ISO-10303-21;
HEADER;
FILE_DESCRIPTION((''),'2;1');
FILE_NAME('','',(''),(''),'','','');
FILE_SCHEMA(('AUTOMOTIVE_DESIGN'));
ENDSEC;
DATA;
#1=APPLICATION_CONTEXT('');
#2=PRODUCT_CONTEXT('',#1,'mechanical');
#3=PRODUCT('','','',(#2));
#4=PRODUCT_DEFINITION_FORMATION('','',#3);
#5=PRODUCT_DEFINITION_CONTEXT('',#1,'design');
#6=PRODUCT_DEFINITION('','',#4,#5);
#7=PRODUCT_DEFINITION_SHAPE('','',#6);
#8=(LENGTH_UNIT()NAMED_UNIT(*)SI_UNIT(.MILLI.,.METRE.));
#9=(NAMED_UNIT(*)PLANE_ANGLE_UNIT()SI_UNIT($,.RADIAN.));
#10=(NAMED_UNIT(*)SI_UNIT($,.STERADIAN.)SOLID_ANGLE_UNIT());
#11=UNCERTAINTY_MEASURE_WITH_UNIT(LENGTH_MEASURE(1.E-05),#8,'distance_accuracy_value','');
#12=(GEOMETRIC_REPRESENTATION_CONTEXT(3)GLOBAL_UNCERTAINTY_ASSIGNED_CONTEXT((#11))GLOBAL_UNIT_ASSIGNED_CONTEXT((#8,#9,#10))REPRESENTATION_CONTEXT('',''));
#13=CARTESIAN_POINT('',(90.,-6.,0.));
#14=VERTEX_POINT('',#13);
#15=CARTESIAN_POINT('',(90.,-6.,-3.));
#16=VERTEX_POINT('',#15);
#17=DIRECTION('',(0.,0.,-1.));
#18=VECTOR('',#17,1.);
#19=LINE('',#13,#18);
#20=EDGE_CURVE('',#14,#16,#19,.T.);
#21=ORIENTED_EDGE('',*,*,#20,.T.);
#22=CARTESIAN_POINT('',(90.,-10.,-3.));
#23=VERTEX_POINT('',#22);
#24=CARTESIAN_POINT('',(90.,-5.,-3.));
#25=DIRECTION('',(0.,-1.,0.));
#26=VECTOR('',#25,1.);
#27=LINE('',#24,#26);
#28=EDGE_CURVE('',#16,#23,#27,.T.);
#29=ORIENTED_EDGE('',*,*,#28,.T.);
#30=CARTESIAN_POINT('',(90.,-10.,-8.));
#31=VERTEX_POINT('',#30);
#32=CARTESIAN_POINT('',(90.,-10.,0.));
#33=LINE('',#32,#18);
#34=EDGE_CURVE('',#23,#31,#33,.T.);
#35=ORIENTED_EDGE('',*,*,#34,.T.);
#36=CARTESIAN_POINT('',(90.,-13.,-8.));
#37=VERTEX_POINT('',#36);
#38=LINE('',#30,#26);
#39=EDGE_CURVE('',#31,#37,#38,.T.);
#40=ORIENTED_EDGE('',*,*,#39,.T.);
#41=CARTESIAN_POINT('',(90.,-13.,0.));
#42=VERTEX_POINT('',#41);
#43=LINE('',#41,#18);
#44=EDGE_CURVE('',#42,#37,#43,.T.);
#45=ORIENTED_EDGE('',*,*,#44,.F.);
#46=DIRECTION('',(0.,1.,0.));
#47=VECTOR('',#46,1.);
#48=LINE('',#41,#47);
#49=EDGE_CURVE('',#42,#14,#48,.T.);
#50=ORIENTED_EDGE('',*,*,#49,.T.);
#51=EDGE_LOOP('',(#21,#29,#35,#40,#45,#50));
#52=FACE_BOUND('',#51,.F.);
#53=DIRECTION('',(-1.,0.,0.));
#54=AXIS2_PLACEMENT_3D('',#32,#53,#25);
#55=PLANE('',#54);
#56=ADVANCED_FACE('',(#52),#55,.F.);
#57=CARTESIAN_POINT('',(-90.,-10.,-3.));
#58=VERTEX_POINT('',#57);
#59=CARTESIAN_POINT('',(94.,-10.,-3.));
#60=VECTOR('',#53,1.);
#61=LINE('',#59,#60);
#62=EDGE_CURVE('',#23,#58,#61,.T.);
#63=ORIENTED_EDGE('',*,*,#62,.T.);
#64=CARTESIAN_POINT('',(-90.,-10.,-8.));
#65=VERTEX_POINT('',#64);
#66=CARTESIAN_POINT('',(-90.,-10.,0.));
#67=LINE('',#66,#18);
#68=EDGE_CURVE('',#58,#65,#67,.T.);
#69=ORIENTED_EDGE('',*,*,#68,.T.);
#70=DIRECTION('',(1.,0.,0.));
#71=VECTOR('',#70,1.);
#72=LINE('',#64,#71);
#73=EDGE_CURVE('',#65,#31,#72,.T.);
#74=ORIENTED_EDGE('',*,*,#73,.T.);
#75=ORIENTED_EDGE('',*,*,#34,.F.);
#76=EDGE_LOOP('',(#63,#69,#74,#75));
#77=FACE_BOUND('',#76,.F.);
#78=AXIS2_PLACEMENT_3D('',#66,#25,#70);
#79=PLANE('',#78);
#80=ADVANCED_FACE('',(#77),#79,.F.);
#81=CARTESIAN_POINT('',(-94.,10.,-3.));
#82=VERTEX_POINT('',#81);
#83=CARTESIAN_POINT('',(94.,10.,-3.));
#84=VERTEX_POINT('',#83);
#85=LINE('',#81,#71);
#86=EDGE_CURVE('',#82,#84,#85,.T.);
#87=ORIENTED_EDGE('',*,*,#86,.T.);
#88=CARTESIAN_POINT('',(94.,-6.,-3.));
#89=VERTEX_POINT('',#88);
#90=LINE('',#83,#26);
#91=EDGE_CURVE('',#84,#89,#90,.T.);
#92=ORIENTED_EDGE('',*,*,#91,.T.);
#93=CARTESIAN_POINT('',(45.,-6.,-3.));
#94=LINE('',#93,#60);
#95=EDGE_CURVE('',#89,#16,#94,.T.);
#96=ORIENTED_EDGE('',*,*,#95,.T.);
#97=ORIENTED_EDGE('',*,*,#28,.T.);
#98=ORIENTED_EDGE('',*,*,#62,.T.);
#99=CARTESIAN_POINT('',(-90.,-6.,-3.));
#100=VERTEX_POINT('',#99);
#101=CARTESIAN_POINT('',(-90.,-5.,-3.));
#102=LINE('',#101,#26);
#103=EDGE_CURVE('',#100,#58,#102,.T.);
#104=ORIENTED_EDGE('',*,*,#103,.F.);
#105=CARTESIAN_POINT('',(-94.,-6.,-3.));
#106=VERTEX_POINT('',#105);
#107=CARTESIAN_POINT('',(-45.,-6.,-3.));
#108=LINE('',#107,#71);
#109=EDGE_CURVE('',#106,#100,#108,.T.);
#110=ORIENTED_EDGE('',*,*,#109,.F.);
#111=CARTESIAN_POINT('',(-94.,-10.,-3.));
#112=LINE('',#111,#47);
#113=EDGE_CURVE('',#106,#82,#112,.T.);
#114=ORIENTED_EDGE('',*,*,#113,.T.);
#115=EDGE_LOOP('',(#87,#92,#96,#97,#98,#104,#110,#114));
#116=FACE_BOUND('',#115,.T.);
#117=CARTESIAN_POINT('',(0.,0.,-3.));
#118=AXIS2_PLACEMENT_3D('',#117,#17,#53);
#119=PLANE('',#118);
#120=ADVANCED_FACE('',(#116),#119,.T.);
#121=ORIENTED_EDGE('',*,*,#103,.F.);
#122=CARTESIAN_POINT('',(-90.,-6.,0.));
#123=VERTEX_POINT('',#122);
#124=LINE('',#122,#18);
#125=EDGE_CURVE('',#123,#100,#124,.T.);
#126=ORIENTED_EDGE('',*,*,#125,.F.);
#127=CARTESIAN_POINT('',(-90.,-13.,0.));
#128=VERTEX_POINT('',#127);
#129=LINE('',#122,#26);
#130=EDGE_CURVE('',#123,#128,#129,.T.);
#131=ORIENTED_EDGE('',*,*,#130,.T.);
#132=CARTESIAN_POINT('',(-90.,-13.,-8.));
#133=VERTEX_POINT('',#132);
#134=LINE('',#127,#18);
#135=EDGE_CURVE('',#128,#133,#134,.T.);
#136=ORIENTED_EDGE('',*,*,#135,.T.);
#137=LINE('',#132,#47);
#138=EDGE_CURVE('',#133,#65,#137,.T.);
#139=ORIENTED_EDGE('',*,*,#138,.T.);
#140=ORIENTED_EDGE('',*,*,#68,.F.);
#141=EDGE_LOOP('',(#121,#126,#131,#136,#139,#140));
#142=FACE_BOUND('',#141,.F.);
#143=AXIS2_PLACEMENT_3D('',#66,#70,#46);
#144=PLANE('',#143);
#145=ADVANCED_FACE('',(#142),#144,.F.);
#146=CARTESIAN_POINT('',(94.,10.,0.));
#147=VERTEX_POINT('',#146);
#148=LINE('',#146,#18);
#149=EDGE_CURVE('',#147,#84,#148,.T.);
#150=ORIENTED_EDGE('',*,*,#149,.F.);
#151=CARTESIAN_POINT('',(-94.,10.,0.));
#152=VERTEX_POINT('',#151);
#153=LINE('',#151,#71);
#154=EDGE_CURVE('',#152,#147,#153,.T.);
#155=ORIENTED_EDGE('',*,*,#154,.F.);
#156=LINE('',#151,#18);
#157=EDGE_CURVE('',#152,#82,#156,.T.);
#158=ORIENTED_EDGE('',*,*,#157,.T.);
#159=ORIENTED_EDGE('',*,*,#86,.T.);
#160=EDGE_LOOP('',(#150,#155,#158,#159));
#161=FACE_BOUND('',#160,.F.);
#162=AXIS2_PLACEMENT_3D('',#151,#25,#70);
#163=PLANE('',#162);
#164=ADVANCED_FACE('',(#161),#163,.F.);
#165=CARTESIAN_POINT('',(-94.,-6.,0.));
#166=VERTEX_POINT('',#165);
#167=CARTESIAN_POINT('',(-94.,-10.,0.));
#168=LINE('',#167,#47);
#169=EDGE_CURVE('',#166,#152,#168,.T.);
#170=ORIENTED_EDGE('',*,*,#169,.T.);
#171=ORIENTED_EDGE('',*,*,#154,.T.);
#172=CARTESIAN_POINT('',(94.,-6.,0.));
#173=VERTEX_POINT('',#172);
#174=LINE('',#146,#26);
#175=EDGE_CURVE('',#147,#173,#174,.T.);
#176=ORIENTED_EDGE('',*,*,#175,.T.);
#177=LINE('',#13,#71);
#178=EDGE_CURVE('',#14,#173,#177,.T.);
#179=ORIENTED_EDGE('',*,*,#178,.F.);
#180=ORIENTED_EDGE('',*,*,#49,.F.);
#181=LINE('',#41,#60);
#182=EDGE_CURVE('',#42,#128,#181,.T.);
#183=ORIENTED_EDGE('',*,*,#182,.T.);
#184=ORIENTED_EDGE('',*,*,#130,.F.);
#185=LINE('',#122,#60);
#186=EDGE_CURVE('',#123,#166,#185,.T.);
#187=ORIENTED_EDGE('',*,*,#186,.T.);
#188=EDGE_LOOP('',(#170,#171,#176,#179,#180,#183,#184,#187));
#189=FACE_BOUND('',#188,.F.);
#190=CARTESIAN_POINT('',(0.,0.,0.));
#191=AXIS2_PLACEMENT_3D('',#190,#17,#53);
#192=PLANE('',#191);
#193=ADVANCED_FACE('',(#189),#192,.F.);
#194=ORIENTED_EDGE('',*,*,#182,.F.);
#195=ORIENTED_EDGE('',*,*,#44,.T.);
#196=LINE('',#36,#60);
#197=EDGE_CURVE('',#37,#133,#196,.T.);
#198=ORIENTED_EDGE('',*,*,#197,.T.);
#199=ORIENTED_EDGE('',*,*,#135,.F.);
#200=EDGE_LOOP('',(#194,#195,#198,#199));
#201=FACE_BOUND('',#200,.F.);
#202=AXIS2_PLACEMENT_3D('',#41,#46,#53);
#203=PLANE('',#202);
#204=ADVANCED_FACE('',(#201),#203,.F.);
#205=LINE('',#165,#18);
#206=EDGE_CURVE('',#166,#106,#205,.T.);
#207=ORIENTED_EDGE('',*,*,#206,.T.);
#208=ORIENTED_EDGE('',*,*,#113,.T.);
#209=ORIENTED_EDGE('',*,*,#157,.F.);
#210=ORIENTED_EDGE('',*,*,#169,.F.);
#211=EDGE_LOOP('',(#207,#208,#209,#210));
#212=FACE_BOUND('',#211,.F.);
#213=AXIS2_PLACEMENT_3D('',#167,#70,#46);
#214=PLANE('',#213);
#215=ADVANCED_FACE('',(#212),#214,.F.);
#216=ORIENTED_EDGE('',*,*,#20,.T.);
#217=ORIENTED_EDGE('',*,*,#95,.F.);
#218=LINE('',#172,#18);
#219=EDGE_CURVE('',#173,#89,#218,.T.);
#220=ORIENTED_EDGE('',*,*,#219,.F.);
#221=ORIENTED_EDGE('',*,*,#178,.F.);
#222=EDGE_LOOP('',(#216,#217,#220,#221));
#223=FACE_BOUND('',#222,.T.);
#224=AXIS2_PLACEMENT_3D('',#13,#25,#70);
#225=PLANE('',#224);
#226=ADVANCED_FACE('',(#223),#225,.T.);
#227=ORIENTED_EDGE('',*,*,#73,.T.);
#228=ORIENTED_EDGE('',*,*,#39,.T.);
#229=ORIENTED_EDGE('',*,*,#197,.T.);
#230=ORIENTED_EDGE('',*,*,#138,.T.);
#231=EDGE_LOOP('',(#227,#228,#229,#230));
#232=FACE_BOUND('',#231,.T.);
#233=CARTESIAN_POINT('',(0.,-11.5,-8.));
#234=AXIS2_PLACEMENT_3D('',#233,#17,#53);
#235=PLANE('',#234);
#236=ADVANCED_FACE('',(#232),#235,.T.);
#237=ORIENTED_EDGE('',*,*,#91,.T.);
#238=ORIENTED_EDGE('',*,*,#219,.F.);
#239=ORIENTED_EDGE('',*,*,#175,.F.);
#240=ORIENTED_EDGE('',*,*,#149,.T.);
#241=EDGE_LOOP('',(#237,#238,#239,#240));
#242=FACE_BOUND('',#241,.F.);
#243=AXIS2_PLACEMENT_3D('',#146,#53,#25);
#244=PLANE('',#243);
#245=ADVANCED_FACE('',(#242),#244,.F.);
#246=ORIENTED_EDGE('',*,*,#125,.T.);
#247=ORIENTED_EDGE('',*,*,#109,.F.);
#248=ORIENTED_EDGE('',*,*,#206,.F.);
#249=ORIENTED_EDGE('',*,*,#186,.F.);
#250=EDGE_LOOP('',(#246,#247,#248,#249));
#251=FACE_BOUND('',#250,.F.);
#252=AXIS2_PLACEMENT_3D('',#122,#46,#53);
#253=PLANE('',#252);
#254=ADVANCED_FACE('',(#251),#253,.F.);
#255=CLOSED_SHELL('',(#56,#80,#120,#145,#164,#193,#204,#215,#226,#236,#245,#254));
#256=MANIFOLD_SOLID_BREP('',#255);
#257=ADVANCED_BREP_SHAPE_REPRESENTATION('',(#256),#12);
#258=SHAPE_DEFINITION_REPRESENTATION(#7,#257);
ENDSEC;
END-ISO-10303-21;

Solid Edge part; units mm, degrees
sketch "Sketch1" plane through (0, 0, 0) normal (0, 0, 1) x (1, 0, 0)
  line L0 (94, 10) -> (94, -10)
  line L1 (94, -10) -> (-94, -10)
  line L2 (-94, -10) -> (-94, 10)
  line L3 (-94, 10) -> (94, 10)
extrude "Protrusion1" add sketch "Sketch1" against normal blind 3
sketch "Sketch2" plane through (0, 0, 0) normal (0, 0, 1) x (1, 0, 0)
  line L0 (90, -13) -> (-90, -13)
  line L1 (-90, -13) -> (-90, -10)
  line L2 (-90, -10) -> (90, -10)
  line L3 (90, -10) -> (90, -13)
extrude "Protrusão_Extrudada_2" add sketch "Sketch2" against normal blind 8
sketch "Sketch3" plane through (0, -1.5, 0) normal (0, 0, 1) x (1, 0, 0)
  line L0 (90, -4.5) -> (94, -4.5)
  line L1 (94, -4.5) -> (94, -8.5)
  line L2 (94, -8.5) -> (90, -8.5)
  line L3 (90, -8.5) -> (90, -4.5)
  line L4 (-94, -8.5) -> (-90, -8.5)
  line L5 (-90, -8.5) -> (-90, -4.5)
  line L6 (-90, -4.5) -> (-94, -4.5)
  line L7 (-94, -4.5) -> (-94, -8.5)
  dimension "D1" = 4
  dimension "D2" = 4
  dimension "D3" = 4
  dimension "D4" = 4
extrude "Recorte_Extrudado_1" cut sketch "Sketch3" against normal blind 53.6894
